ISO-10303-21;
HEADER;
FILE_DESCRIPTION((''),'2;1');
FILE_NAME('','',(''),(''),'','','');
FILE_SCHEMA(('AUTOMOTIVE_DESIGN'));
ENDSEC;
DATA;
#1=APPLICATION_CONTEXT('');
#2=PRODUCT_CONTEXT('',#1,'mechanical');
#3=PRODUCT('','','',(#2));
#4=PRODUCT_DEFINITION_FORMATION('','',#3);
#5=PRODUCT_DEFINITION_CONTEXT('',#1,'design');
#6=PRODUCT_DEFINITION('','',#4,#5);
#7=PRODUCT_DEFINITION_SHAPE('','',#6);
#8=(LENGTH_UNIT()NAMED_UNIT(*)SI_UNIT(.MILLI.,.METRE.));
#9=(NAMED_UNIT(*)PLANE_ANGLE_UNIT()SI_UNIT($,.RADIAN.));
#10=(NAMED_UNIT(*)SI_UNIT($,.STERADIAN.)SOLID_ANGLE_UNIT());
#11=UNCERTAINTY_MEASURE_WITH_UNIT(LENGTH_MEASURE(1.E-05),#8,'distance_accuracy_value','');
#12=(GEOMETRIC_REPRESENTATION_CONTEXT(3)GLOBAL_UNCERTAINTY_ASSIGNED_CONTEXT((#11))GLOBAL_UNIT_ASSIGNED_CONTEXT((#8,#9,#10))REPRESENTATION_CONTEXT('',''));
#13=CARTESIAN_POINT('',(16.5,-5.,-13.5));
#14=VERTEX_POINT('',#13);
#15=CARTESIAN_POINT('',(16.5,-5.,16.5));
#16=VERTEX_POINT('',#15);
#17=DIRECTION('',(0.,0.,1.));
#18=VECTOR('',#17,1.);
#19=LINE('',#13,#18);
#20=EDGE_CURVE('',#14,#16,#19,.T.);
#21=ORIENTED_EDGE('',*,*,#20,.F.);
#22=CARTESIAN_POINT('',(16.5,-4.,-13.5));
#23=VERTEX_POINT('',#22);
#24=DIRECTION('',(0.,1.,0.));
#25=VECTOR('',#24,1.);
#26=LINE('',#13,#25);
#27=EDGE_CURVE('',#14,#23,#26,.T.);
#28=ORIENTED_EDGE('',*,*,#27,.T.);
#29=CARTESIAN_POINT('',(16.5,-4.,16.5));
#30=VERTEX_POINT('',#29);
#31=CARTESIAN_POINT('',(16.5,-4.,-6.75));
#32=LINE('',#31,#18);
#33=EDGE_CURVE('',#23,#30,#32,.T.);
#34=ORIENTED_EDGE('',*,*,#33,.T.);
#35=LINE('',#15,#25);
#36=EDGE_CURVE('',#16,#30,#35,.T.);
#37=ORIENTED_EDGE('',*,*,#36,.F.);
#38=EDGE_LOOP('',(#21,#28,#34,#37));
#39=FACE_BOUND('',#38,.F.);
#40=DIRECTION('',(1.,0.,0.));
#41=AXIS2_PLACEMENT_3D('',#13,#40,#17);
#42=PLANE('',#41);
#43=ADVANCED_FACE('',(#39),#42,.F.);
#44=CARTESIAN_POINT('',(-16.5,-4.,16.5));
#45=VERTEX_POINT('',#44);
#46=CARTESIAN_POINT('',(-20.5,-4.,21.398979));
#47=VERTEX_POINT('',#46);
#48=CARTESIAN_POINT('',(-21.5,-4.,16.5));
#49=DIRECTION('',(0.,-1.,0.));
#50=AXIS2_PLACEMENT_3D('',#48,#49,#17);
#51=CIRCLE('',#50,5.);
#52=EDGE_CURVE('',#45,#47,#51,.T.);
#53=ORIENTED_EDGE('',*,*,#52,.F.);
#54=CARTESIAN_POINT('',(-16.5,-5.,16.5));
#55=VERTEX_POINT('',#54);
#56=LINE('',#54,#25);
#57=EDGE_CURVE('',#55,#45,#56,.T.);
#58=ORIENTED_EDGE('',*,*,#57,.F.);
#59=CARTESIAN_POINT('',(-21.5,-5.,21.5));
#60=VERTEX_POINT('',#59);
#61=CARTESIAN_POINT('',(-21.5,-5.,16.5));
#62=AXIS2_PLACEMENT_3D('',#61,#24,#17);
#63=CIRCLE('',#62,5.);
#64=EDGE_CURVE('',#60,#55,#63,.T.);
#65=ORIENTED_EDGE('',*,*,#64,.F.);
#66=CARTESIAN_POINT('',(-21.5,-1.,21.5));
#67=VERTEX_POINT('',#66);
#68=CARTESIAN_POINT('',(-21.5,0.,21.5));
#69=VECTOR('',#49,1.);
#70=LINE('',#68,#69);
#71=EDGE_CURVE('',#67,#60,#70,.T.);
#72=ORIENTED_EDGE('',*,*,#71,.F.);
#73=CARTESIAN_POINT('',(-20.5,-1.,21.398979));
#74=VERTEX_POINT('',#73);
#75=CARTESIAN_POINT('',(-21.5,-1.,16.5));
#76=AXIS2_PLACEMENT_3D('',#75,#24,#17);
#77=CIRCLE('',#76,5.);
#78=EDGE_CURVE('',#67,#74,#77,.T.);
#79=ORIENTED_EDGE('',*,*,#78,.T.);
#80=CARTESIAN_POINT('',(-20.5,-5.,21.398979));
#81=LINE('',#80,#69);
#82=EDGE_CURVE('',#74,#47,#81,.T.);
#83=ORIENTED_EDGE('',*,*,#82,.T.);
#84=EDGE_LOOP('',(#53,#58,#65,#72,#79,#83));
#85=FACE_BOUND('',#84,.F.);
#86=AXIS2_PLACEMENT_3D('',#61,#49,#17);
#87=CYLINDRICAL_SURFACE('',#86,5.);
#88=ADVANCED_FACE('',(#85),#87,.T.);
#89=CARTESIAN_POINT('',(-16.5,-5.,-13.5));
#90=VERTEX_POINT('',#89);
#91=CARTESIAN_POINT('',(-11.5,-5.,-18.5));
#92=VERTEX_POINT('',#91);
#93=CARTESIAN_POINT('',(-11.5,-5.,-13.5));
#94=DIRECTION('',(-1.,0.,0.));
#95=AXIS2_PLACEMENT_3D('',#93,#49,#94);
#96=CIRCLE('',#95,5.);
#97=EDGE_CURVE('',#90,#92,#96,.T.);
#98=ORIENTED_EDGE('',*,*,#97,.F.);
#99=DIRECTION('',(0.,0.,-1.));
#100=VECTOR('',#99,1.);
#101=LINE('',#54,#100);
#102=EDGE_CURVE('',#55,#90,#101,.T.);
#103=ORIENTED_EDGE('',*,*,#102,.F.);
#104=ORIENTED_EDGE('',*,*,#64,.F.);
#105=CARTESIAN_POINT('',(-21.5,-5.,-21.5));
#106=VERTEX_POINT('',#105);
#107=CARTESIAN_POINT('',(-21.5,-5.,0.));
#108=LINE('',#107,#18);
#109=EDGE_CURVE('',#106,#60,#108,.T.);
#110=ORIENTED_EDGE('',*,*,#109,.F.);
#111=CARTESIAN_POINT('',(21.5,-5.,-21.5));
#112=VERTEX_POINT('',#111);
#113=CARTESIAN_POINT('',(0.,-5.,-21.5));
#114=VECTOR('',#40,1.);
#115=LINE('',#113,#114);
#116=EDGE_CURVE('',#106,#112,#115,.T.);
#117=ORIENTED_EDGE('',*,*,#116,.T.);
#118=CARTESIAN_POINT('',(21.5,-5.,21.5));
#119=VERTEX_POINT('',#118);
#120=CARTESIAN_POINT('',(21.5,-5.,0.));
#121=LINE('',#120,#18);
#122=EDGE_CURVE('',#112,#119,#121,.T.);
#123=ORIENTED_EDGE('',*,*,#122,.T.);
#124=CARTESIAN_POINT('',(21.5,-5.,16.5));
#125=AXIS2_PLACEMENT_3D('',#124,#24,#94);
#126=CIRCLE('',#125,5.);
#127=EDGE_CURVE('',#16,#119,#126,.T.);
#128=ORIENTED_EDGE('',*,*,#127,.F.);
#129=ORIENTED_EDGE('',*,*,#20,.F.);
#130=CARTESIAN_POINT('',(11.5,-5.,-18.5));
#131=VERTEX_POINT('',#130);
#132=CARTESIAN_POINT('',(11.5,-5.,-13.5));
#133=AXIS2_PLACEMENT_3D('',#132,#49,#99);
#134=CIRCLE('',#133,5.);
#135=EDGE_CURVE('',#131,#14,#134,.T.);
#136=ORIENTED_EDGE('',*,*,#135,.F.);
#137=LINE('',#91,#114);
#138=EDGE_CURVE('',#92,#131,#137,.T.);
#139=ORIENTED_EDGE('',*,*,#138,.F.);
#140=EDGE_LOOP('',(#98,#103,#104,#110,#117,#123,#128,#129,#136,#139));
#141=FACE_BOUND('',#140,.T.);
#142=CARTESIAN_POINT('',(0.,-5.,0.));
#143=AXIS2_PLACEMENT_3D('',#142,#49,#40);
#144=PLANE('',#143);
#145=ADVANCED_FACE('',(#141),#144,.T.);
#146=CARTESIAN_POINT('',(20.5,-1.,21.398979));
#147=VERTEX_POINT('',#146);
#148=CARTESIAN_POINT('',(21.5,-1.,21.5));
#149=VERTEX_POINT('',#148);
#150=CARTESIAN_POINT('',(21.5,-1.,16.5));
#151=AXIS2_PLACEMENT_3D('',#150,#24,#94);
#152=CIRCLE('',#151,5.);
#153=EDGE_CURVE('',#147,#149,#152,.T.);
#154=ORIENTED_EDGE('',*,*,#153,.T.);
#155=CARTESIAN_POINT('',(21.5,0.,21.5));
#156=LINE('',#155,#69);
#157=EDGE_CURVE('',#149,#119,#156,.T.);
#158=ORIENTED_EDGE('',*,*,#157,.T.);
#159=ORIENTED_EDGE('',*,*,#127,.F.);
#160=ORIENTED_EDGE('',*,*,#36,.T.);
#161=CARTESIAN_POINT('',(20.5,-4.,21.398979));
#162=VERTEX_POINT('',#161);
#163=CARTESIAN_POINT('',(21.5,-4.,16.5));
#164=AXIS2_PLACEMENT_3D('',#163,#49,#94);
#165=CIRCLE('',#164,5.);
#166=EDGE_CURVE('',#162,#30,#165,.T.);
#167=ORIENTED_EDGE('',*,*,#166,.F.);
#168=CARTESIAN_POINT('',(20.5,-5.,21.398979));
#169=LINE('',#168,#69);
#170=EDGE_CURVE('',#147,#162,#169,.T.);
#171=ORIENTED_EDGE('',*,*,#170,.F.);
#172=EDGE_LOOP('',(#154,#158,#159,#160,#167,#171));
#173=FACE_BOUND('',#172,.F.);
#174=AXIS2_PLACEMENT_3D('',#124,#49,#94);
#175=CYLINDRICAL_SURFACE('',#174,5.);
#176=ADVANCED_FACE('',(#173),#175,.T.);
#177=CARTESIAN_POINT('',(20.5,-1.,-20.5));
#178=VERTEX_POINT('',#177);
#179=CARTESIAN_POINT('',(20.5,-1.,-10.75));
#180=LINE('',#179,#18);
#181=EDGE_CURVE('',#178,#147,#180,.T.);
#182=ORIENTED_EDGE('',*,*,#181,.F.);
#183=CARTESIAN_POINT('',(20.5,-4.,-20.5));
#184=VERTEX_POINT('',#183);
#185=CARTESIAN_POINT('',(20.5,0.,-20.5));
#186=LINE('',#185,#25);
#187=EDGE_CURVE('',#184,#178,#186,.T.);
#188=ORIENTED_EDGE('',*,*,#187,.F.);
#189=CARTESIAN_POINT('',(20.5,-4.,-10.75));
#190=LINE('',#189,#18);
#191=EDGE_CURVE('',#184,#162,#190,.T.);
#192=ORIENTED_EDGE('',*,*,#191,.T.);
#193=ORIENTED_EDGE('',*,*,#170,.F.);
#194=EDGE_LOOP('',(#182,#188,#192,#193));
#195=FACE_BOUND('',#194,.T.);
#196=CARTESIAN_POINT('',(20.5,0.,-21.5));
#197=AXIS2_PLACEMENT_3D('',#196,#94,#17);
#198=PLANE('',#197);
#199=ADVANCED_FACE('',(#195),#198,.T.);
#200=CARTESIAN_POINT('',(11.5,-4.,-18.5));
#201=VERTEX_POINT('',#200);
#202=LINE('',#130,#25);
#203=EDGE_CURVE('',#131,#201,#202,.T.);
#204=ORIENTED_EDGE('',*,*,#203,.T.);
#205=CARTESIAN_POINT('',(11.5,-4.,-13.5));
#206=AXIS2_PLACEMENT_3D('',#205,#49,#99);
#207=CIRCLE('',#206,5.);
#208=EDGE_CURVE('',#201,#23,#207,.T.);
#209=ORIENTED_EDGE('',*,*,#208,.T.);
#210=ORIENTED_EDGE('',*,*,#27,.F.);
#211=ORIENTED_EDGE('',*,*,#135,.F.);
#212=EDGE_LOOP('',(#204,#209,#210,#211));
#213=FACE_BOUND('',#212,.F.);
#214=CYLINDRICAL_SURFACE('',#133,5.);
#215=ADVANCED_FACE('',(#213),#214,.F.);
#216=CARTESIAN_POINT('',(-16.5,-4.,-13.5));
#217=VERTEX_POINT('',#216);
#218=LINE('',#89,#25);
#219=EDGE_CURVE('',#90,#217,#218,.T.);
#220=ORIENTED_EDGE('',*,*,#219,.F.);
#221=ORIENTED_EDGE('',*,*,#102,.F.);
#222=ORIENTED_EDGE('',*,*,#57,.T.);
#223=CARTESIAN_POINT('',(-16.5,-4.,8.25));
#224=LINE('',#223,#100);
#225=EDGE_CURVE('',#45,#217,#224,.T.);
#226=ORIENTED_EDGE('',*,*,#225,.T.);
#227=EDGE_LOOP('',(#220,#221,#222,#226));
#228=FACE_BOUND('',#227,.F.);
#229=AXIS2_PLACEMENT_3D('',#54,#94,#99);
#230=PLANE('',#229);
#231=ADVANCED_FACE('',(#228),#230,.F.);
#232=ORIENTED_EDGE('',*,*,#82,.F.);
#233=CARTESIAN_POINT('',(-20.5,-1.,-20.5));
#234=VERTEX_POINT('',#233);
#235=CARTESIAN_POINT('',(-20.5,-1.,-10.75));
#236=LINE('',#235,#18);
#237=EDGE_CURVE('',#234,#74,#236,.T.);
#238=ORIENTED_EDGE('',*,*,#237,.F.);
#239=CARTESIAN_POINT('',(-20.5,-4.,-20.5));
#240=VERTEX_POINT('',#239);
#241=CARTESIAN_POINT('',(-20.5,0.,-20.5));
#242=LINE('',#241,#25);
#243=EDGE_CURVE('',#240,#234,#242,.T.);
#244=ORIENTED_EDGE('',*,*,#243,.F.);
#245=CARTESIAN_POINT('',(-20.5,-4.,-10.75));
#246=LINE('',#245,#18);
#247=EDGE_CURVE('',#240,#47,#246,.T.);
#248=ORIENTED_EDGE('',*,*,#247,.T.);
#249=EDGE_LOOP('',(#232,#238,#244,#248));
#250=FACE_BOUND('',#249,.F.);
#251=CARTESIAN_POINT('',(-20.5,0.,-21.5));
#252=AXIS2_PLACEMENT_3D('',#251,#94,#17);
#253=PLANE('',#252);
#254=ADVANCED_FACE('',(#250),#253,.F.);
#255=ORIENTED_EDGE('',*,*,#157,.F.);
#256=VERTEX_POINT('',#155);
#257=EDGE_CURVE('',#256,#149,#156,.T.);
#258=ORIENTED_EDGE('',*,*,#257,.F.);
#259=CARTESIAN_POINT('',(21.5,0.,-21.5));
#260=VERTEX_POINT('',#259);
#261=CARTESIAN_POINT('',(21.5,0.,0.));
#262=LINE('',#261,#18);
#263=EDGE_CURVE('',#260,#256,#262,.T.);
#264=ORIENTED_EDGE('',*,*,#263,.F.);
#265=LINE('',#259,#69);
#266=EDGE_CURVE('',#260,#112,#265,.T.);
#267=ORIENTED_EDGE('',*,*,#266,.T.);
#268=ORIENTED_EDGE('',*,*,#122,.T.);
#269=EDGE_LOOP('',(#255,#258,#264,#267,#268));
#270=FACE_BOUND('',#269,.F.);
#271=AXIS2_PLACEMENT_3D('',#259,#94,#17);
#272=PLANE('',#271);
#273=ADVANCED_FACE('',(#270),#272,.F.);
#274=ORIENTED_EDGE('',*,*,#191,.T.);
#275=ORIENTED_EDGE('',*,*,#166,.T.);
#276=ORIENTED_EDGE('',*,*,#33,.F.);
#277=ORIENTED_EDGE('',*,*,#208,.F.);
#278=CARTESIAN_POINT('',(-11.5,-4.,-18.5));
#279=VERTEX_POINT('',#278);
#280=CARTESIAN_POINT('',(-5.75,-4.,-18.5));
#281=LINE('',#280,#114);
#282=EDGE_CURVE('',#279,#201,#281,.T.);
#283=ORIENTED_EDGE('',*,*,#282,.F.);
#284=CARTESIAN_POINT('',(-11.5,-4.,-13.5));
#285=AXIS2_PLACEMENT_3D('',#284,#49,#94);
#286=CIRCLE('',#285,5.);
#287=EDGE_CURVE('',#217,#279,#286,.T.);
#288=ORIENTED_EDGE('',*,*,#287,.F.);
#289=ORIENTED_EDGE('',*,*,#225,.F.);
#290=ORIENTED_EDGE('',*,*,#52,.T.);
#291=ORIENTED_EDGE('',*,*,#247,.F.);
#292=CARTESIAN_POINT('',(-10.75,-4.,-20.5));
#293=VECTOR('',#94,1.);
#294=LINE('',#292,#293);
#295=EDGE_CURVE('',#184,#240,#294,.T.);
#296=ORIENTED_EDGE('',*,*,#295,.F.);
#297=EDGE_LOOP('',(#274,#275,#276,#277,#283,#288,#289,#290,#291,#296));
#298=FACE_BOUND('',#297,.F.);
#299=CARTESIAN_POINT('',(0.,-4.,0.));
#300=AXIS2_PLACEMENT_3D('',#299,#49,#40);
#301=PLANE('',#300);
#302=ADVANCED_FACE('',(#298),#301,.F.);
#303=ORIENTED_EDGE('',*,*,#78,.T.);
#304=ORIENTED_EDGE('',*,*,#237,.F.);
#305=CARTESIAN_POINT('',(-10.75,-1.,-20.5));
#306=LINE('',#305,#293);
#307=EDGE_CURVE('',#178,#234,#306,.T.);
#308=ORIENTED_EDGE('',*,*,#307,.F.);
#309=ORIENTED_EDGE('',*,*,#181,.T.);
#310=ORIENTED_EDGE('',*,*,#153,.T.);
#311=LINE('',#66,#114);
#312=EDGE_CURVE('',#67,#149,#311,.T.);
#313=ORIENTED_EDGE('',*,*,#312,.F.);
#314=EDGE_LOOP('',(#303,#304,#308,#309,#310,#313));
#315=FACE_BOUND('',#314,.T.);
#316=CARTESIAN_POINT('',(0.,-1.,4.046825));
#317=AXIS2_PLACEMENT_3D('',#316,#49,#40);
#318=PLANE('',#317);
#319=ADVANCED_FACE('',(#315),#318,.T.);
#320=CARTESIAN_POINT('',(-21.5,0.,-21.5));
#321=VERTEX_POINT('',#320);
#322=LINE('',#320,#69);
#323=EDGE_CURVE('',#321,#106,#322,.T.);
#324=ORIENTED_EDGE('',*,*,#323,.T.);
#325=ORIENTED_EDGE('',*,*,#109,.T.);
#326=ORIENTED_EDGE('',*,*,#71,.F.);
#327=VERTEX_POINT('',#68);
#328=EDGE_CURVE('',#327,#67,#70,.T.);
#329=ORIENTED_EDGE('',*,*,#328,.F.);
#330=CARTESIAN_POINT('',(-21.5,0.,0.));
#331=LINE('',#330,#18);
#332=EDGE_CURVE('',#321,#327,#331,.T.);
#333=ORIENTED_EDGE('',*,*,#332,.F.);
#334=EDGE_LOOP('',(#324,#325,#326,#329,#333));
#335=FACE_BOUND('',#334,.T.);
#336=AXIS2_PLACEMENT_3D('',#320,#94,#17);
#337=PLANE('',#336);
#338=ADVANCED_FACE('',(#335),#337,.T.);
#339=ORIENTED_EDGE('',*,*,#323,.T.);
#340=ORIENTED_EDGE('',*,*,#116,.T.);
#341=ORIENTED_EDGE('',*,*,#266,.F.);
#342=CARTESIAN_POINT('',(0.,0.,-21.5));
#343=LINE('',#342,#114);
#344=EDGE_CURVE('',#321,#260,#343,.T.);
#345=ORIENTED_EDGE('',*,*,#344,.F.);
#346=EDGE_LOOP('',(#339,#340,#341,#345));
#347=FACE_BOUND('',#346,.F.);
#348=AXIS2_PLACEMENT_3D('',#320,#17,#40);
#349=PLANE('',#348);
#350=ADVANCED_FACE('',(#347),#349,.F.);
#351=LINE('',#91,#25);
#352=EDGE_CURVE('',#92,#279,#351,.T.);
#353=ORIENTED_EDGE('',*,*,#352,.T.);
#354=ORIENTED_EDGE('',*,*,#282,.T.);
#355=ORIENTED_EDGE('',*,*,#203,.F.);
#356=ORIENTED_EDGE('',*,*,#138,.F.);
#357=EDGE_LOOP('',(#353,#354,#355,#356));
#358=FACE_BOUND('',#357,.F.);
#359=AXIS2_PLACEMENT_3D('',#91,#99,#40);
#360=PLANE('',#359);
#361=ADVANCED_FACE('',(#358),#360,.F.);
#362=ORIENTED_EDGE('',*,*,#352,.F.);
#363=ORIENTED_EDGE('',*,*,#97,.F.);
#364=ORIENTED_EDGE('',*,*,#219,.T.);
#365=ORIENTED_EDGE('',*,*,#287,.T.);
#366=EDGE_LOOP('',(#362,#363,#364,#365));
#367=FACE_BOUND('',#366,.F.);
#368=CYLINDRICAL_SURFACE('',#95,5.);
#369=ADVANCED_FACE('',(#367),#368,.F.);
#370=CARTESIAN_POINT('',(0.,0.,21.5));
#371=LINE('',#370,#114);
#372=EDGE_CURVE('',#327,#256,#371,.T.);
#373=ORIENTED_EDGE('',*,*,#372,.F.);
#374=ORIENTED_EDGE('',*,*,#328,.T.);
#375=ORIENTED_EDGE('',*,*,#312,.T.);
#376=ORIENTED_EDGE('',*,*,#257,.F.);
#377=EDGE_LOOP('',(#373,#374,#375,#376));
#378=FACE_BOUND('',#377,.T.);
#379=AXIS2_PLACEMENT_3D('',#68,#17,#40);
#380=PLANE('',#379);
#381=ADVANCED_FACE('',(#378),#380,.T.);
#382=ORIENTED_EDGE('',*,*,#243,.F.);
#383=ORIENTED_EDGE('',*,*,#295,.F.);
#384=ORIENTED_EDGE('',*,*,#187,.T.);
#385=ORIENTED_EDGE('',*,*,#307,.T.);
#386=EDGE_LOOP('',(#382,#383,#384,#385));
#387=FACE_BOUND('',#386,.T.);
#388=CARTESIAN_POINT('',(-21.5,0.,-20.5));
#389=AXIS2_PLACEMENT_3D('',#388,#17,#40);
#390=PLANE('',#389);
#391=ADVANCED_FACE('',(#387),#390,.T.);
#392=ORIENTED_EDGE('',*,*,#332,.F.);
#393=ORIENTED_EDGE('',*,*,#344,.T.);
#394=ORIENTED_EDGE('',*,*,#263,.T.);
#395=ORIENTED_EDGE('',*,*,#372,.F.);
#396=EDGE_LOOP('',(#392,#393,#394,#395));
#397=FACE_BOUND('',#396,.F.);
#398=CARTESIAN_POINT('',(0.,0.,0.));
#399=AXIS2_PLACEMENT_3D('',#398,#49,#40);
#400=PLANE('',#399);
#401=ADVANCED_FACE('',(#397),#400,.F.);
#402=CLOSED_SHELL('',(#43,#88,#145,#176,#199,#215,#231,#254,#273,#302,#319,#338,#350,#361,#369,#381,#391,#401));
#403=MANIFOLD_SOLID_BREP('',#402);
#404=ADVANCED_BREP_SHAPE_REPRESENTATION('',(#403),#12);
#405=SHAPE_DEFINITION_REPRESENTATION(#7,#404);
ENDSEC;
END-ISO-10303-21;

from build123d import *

# Parameters (mm, degrees)
F0_W     = 43
F0_H     = 43
F1_DEPTH = 5
F2_T     = -1
F4_DEPTH = 4


with BuildPart() as f1:
    # F0 (on Front) → F1 (new body)
    with BuildSketch(Plane.XZ):
        Rectangle(F0_W, F0_H)
    extrude(amount=F1_DEPTH)

    # F2
    f2_openings = [f1.faces().sort_by_distance(p)[0] for p in [
        (0, -2.5, 21.5),
    ]]
    offset(amount=F2_T, openings=f2_openings)

    # F3 (on face) → F4 (cut, through all)
    with BuildSketch(Plane.XZ.offset(5)):
        with BuildLine():
            ThreePointArc((-21.5, 21.5), (-17.9644660941, 20.0355339059), (-16.5, 16.5))
            Line((-16.5, 16.5), (-16.5, -13.5))
            ThreePointArc((-16.5, -13.5), (-15.0355339059, -17.0355339059), (-11.5, -18.5))
            Line((-11.5, -18.5), (11.5, -18.5))
            ThreePointArc((11.5, -18.5), (15.0355339059, -17.0355339059), (16.5, -13.5))
            Line((16.5, -13.5), (16.5, 16.5))
            ThreePointArc((16.5, 16.5), (17.9644660941, 20.0355339059), (21.5, 21.5))
            Line((21.5, 21.5), (-21.5, 21.5))
        make_face()
    extrude(amount=-F4_DEPTH, mode=Mode.SUBTRACT)


solid = f1.part
